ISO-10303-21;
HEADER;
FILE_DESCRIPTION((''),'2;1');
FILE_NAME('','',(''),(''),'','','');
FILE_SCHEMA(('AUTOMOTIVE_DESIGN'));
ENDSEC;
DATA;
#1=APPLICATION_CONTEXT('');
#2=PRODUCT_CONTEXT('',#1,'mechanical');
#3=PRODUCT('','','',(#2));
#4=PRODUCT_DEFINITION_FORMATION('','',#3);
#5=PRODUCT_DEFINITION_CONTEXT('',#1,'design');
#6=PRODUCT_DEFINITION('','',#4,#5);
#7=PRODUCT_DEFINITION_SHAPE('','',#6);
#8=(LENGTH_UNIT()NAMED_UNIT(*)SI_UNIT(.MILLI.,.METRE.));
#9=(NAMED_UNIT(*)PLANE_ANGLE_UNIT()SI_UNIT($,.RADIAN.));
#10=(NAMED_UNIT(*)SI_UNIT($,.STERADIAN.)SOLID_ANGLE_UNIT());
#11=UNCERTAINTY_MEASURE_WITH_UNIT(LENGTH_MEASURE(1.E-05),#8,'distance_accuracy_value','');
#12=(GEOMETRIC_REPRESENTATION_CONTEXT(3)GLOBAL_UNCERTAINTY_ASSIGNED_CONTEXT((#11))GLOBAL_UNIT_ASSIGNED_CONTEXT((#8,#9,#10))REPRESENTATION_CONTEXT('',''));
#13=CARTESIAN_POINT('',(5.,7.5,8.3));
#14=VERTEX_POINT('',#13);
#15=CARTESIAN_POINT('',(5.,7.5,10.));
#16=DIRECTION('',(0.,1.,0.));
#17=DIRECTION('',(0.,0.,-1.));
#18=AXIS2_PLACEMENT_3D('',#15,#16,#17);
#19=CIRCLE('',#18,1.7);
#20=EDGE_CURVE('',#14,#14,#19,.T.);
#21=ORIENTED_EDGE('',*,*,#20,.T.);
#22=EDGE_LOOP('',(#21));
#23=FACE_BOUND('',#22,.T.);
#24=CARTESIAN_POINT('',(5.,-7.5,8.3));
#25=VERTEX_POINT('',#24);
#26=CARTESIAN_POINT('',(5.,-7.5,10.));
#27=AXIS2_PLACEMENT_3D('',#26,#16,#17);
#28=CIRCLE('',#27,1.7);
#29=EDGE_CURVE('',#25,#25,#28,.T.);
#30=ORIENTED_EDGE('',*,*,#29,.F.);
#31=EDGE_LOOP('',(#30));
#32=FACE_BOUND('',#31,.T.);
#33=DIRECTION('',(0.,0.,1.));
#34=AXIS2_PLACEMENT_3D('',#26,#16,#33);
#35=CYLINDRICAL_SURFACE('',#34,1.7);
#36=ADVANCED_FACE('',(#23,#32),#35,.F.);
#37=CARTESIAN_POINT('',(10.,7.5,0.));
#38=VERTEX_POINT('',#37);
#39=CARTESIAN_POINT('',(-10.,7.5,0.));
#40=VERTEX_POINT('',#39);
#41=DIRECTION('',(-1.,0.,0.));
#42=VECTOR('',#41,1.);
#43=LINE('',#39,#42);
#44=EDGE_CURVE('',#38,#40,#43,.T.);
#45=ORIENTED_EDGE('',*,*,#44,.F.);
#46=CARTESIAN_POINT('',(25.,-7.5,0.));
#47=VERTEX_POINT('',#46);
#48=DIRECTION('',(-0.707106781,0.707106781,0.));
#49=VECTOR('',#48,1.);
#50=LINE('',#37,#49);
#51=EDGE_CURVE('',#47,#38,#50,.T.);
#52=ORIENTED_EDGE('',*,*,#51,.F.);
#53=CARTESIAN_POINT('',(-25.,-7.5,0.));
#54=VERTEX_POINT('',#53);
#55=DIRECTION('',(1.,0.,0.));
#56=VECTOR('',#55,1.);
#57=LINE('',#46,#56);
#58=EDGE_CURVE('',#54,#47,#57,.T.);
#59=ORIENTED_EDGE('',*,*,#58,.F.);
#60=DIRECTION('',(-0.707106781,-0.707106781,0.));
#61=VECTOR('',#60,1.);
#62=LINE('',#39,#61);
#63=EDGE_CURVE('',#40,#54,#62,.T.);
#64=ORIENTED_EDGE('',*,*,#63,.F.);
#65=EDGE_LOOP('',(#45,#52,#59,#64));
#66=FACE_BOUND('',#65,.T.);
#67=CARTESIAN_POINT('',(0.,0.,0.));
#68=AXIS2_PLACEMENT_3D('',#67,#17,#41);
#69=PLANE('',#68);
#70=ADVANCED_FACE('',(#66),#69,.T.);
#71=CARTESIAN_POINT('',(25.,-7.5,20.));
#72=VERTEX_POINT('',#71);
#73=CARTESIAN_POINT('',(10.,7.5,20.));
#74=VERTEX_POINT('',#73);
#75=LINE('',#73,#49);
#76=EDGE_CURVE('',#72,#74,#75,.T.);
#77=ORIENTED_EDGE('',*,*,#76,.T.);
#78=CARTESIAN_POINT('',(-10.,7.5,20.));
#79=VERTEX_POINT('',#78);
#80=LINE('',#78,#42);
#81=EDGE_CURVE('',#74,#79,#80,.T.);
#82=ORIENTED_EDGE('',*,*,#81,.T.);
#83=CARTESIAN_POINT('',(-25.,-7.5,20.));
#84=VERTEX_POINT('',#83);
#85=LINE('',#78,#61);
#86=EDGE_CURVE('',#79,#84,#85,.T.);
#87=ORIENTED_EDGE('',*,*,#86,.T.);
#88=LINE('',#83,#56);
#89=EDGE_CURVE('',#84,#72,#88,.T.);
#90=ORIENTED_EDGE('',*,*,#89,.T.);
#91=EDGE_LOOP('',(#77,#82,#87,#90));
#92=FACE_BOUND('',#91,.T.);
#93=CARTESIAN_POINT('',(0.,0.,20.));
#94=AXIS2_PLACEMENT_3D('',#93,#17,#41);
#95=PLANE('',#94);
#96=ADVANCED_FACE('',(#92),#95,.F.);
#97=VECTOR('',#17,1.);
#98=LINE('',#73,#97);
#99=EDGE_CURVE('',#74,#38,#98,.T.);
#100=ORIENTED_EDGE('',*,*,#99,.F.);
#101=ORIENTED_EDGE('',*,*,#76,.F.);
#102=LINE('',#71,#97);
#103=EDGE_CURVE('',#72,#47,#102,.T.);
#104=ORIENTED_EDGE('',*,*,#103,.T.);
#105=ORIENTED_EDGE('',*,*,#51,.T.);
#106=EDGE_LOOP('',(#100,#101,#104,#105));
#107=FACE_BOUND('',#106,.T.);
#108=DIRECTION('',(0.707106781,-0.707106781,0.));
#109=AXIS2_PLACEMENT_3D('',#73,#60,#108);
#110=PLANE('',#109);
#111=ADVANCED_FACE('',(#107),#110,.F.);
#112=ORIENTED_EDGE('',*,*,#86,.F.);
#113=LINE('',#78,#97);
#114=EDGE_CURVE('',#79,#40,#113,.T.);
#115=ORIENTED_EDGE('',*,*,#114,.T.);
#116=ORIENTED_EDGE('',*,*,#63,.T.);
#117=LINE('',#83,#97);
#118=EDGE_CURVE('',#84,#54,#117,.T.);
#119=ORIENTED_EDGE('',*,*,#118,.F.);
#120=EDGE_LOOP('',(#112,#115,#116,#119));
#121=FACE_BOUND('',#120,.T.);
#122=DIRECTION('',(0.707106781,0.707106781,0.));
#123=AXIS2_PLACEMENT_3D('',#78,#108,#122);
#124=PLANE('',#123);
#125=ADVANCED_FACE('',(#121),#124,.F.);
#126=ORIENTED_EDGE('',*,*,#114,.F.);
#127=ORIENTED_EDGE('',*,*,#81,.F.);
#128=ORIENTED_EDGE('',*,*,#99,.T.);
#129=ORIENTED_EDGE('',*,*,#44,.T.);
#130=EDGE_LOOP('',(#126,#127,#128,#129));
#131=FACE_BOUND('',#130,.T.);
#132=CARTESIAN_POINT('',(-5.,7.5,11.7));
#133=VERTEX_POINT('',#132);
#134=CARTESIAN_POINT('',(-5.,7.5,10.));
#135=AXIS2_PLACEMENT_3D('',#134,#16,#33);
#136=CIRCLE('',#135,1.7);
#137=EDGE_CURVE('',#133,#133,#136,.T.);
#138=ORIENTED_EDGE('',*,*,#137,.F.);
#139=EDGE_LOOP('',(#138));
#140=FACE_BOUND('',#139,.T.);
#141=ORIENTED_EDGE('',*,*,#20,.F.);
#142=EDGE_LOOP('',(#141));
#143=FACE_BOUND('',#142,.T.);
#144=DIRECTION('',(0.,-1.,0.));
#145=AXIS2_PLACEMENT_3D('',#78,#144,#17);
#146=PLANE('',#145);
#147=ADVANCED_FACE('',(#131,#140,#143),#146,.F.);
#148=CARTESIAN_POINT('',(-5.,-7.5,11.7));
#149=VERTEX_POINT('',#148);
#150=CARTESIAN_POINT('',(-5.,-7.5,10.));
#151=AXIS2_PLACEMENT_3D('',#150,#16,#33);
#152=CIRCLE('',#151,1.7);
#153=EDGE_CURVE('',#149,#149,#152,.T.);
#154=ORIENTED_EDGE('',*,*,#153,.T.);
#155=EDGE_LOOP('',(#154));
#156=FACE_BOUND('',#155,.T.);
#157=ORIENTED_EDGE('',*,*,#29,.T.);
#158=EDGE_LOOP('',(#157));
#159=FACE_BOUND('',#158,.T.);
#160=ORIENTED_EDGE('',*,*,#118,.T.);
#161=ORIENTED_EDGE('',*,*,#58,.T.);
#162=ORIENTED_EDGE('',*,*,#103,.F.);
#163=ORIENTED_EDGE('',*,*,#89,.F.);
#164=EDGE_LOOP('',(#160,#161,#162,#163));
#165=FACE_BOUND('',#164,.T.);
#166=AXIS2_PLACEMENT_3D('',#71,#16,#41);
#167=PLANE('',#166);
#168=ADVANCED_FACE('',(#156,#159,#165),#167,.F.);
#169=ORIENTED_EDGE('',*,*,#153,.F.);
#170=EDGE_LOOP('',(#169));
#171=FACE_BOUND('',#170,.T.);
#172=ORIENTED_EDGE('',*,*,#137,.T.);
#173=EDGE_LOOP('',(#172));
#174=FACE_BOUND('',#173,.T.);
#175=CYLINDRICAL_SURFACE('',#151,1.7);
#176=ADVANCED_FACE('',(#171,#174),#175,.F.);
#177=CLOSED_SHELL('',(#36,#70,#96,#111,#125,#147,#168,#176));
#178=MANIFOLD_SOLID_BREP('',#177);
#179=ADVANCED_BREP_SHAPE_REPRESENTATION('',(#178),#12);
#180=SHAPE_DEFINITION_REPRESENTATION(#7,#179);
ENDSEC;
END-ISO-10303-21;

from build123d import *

# Parameters (mm, degrees)
EXTRUDE_1_DEPTH     = 20
SKETCH_2_R          = 1.7
CUT_EXTRUDE_1_DEPTH = 36.355339059


with BuildPart() as part:
    # 草图1 → 凸台-拉伸1 (new body)
    with BuildSketch(Plane.XY):
        Polygon((10, 7.5), (25, -7.5), (10, -7.5), (-10, -7.5), (-25, -7.5), (-10, 7.5), align=None)
    extrude(amount=EXTRUDE_1_DEPTH)

    # 草图2 → 切除-拉伸1 (cut, through all)
    with BuildSketch(Plane(origin=(0, 7.5, 0), x_dir=(1, 0, 0), z_dir=(0, 1, 0))):
        with Locations(Location((-5, -10, 0), (0, 0, 270))):
            Circle(SKETCH_2_R)
        with Locations(Location((5, -10, 0), (0, 0, 90))):
            Circle(SKETCH_2_R)
    extrude(amount=-CUT_EXTRUDE_1_DEPTH, mode=Mode.SUBTRACT)


solid = part.part
